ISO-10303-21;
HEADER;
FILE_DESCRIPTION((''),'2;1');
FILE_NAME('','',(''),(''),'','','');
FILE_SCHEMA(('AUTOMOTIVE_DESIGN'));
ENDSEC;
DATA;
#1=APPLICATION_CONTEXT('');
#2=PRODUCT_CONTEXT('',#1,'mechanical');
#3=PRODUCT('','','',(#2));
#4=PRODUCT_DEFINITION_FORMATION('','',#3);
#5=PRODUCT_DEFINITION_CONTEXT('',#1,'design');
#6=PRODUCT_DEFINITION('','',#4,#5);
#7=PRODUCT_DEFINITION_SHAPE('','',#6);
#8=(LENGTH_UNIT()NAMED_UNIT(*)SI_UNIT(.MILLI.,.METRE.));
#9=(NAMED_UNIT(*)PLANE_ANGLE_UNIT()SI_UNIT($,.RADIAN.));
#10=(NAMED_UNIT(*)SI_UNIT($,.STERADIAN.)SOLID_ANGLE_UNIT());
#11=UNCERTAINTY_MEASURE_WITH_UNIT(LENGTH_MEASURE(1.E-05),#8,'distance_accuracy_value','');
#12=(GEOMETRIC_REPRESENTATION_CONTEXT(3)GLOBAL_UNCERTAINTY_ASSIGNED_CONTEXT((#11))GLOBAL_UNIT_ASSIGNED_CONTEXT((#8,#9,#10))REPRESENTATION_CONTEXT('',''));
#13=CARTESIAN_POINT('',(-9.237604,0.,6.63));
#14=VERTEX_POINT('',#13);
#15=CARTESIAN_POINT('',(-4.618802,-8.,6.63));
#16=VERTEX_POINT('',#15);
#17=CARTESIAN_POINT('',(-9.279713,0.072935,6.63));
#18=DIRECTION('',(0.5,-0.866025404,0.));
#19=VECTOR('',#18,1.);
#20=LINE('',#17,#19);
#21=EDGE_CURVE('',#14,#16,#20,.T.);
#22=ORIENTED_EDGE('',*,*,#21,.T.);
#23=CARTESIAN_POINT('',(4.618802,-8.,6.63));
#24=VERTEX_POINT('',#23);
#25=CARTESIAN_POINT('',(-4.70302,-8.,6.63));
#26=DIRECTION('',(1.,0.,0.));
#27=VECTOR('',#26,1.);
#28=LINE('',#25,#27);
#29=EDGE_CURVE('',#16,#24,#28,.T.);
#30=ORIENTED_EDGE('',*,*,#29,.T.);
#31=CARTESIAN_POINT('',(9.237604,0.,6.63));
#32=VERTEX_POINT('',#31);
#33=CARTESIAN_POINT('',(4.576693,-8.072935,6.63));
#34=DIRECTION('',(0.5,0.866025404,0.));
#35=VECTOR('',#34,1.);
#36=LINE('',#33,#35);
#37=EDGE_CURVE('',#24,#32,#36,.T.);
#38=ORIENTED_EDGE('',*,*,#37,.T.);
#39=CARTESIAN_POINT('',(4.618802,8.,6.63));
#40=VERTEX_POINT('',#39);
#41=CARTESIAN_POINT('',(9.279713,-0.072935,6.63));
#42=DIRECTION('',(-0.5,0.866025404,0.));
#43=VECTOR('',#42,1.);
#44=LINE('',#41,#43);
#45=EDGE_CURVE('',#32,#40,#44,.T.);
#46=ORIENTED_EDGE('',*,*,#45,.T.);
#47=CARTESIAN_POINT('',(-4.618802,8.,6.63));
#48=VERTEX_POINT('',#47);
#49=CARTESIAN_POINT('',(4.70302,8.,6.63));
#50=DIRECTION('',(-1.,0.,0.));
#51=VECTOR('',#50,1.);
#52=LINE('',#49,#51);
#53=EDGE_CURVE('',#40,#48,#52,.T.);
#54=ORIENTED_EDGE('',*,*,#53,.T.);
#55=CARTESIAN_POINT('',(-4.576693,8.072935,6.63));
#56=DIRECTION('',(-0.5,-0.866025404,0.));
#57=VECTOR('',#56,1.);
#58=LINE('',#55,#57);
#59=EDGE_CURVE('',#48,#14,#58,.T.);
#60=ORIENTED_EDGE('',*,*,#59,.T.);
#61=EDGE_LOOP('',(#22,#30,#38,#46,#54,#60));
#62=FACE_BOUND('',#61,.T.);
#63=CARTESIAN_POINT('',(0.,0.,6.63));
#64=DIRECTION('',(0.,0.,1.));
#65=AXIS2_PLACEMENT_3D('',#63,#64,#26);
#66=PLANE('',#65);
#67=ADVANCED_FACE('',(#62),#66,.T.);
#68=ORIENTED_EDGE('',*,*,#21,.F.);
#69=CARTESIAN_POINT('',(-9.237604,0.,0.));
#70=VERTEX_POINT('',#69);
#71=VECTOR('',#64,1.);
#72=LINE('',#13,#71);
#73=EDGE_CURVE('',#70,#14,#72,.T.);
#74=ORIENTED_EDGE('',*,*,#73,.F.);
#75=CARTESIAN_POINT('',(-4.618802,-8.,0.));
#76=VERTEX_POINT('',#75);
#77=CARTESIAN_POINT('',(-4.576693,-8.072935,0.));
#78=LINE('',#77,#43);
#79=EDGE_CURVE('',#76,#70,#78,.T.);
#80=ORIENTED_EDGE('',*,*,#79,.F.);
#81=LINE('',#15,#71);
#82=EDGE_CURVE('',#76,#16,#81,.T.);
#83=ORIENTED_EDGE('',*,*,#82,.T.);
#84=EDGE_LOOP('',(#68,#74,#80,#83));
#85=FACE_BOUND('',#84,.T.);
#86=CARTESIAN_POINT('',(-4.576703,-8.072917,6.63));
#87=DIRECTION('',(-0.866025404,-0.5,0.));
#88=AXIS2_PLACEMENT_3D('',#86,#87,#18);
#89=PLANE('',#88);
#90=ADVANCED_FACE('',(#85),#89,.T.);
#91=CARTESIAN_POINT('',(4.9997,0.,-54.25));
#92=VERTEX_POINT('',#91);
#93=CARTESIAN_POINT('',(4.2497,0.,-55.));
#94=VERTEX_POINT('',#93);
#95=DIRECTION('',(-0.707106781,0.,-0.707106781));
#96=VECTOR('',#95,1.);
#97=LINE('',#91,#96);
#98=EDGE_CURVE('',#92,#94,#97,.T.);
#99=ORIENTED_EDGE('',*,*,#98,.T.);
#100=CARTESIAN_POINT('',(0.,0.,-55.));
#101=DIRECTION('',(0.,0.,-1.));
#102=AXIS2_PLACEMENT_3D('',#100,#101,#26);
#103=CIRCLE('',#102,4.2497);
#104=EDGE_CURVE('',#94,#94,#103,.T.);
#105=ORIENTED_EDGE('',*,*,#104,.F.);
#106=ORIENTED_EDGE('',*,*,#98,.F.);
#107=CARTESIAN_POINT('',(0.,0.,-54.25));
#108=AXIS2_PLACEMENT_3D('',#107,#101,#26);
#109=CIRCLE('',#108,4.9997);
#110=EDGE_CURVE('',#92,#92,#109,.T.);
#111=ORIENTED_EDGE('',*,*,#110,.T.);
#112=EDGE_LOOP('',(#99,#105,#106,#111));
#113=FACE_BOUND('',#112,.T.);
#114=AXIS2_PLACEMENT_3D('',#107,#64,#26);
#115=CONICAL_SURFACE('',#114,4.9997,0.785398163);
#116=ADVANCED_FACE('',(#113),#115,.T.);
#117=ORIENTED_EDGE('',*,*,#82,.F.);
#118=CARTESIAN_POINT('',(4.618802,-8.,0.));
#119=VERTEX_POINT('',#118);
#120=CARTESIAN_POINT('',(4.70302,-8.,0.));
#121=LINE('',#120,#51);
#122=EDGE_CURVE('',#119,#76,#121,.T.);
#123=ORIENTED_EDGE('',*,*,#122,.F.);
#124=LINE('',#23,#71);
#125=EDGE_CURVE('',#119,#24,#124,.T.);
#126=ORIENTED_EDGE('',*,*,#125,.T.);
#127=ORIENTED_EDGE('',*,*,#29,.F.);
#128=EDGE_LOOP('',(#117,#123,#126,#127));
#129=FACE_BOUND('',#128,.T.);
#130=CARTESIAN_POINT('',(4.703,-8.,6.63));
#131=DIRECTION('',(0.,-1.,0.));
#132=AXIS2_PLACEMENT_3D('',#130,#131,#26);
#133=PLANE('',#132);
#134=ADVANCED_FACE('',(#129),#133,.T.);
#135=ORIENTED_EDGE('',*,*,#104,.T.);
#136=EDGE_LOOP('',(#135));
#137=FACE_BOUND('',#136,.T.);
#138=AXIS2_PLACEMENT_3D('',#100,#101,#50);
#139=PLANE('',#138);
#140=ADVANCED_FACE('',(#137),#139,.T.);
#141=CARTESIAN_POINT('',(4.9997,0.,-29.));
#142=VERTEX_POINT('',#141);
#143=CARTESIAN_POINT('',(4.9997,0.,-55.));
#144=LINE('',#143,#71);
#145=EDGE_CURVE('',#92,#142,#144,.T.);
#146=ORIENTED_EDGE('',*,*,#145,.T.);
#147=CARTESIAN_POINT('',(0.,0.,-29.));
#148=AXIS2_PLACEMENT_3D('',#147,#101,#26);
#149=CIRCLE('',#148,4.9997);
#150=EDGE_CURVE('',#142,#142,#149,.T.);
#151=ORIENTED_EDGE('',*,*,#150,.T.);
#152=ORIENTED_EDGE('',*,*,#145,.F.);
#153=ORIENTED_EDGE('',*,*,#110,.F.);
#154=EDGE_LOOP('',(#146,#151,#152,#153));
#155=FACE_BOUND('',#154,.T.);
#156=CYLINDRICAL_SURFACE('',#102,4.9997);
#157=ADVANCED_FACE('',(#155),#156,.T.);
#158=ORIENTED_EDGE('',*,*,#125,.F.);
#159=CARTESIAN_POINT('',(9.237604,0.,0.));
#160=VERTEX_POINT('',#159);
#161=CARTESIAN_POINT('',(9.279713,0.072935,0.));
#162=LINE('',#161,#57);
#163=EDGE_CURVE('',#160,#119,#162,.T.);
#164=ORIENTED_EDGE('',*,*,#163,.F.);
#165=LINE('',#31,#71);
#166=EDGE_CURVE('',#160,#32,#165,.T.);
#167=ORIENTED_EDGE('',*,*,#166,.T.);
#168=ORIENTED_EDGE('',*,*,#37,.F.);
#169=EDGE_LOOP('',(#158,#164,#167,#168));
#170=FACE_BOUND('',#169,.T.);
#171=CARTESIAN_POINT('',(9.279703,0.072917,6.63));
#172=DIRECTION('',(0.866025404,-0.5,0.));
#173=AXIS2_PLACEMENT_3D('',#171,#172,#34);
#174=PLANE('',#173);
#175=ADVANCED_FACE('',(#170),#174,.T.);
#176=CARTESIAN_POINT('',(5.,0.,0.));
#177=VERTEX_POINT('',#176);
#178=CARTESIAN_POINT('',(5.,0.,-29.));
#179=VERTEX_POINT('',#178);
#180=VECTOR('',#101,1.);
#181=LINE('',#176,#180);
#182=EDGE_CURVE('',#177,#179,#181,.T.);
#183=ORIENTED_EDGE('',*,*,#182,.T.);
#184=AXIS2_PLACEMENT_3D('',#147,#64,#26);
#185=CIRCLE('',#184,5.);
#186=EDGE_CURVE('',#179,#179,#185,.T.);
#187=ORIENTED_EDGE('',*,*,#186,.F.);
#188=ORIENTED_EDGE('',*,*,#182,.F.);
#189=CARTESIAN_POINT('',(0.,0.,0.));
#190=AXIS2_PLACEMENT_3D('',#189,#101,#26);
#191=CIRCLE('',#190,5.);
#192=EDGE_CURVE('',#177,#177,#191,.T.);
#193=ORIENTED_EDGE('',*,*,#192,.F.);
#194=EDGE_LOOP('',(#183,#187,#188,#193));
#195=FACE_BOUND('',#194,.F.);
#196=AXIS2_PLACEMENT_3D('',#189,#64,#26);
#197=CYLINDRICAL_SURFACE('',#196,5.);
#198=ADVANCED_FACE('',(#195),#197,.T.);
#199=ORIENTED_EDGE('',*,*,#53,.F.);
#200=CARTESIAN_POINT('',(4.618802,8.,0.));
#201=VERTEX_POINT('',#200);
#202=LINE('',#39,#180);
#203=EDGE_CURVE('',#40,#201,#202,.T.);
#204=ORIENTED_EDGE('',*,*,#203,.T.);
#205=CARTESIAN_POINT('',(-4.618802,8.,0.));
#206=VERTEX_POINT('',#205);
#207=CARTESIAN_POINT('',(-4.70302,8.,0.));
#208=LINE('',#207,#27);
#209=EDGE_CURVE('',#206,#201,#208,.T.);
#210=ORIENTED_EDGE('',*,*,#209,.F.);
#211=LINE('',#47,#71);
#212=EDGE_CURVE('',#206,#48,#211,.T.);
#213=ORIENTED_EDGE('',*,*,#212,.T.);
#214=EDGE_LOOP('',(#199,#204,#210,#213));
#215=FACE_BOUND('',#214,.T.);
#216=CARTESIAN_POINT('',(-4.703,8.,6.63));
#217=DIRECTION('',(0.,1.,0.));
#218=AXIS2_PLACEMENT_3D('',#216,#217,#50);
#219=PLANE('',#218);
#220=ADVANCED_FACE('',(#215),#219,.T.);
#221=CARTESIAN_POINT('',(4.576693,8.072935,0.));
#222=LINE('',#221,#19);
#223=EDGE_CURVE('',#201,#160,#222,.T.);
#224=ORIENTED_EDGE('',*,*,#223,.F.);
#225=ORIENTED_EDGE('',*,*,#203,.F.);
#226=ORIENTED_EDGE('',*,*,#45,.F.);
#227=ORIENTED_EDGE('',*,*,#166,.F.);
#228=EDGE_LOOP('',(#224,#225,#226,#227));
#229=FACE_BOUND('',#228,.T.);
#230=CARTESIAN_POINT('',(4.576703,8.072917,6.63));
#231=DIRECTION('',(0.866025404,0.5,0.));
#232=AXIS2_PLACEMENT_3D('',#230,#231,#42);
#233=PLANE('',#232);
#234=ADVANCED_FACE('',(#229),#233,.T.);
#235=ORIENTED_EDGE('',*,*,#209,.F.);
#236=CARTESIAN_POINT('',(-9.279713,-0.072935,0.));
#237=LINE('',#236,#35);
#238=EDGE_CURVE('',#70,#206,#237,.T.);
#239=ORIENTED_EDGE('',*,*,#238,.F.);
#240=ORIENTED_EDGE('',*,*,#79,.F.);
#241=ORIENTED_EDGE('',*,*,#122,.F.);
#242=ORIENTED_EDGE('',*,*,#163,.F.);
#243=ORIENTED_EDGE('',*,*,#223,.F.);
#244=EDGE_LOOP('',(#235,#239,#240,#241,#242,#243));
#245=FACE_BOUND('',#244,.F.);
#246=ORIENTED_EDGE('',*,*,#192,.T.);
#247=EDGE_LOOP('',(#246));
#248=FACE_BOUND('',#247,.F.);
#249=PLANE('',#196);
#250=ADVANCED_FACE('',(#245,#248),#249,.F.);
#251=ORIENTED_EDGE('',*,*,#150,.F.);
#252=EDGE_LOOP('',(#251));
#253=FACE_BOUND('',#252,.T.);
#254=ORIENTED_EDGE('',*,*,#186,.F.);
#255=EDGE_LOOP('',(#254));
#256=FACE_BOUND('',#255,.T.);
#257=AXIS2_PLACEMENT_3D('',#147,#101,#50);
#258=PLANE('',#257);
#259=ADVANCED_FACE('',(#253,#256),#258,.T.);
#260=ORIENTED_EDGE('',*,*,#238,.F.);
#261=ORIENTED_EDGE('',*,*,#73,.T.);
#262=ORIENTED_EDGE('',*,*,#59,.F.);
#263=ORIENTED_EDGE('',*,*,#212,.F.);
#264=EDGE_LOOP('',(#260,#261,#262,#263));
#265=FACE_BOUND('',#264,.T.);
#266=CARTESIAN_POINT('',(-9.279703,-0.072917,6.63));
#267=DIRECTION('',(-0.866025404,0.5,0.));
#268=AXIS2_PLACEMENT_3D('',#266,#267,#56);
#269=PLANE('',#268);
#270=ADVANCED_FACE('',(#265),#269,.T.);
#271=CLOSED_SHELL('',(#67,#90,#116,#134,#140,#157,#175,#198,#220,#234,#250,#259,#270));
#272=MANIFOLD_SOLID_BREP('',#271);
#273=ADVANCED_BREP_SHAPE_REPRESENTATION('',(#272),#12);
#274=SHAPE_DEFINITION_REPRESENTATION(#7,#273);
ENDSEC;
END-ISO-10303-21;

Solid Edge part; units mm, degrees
sketch "Sketch1" plane through (0, 0, 0) normal (0, 0, 1) x (1, 0, 0)
  circle A0 centre (0, 0) radius 9.28
  dimension "D1" = 18.56
extrude "Protrusion1" add sketch "Sketch1" along normal blind 6.63
sketch "Sketch2" plane through (0, 0, 0) normal (0, 0, -1) x (1, 0, 0)
  circle A0 centre (0, 0) radius 5
extrude "Protrusion2" add sketch "Sketch2" along normal blind 55
sketch "Sketch3" plane through (0, 0, -55) normal (0, 0, -1) x (1, 0, 0)
  circle A0 centre (0, 0) radius 4.9997
extrude "Cutout1" cut sketch "Sketch3" against normal blind 26 flip side to cut
chamfer "Chamfer_1" distance 0.75 angle 45 1 edges at (-4.9997, 0, -55)
sketch "Sketch4" plane through (0, 0, 6.63) normal (0, 0, 1) x (1, 0, 0)
  line L0 (-4.703, 8) -> (4.703, 8)
  dimension "D1" = 16
extrude "Cutout2" cut sketch "Sketch4" against normal up to next material side at (0, 8.05, 6.63)
pattern_circular "Pattern1" count 6 over 360 about axis through (0, 0, 6.63) along (0, 0, 1) of "Cutout2"
properties part number "185549"
